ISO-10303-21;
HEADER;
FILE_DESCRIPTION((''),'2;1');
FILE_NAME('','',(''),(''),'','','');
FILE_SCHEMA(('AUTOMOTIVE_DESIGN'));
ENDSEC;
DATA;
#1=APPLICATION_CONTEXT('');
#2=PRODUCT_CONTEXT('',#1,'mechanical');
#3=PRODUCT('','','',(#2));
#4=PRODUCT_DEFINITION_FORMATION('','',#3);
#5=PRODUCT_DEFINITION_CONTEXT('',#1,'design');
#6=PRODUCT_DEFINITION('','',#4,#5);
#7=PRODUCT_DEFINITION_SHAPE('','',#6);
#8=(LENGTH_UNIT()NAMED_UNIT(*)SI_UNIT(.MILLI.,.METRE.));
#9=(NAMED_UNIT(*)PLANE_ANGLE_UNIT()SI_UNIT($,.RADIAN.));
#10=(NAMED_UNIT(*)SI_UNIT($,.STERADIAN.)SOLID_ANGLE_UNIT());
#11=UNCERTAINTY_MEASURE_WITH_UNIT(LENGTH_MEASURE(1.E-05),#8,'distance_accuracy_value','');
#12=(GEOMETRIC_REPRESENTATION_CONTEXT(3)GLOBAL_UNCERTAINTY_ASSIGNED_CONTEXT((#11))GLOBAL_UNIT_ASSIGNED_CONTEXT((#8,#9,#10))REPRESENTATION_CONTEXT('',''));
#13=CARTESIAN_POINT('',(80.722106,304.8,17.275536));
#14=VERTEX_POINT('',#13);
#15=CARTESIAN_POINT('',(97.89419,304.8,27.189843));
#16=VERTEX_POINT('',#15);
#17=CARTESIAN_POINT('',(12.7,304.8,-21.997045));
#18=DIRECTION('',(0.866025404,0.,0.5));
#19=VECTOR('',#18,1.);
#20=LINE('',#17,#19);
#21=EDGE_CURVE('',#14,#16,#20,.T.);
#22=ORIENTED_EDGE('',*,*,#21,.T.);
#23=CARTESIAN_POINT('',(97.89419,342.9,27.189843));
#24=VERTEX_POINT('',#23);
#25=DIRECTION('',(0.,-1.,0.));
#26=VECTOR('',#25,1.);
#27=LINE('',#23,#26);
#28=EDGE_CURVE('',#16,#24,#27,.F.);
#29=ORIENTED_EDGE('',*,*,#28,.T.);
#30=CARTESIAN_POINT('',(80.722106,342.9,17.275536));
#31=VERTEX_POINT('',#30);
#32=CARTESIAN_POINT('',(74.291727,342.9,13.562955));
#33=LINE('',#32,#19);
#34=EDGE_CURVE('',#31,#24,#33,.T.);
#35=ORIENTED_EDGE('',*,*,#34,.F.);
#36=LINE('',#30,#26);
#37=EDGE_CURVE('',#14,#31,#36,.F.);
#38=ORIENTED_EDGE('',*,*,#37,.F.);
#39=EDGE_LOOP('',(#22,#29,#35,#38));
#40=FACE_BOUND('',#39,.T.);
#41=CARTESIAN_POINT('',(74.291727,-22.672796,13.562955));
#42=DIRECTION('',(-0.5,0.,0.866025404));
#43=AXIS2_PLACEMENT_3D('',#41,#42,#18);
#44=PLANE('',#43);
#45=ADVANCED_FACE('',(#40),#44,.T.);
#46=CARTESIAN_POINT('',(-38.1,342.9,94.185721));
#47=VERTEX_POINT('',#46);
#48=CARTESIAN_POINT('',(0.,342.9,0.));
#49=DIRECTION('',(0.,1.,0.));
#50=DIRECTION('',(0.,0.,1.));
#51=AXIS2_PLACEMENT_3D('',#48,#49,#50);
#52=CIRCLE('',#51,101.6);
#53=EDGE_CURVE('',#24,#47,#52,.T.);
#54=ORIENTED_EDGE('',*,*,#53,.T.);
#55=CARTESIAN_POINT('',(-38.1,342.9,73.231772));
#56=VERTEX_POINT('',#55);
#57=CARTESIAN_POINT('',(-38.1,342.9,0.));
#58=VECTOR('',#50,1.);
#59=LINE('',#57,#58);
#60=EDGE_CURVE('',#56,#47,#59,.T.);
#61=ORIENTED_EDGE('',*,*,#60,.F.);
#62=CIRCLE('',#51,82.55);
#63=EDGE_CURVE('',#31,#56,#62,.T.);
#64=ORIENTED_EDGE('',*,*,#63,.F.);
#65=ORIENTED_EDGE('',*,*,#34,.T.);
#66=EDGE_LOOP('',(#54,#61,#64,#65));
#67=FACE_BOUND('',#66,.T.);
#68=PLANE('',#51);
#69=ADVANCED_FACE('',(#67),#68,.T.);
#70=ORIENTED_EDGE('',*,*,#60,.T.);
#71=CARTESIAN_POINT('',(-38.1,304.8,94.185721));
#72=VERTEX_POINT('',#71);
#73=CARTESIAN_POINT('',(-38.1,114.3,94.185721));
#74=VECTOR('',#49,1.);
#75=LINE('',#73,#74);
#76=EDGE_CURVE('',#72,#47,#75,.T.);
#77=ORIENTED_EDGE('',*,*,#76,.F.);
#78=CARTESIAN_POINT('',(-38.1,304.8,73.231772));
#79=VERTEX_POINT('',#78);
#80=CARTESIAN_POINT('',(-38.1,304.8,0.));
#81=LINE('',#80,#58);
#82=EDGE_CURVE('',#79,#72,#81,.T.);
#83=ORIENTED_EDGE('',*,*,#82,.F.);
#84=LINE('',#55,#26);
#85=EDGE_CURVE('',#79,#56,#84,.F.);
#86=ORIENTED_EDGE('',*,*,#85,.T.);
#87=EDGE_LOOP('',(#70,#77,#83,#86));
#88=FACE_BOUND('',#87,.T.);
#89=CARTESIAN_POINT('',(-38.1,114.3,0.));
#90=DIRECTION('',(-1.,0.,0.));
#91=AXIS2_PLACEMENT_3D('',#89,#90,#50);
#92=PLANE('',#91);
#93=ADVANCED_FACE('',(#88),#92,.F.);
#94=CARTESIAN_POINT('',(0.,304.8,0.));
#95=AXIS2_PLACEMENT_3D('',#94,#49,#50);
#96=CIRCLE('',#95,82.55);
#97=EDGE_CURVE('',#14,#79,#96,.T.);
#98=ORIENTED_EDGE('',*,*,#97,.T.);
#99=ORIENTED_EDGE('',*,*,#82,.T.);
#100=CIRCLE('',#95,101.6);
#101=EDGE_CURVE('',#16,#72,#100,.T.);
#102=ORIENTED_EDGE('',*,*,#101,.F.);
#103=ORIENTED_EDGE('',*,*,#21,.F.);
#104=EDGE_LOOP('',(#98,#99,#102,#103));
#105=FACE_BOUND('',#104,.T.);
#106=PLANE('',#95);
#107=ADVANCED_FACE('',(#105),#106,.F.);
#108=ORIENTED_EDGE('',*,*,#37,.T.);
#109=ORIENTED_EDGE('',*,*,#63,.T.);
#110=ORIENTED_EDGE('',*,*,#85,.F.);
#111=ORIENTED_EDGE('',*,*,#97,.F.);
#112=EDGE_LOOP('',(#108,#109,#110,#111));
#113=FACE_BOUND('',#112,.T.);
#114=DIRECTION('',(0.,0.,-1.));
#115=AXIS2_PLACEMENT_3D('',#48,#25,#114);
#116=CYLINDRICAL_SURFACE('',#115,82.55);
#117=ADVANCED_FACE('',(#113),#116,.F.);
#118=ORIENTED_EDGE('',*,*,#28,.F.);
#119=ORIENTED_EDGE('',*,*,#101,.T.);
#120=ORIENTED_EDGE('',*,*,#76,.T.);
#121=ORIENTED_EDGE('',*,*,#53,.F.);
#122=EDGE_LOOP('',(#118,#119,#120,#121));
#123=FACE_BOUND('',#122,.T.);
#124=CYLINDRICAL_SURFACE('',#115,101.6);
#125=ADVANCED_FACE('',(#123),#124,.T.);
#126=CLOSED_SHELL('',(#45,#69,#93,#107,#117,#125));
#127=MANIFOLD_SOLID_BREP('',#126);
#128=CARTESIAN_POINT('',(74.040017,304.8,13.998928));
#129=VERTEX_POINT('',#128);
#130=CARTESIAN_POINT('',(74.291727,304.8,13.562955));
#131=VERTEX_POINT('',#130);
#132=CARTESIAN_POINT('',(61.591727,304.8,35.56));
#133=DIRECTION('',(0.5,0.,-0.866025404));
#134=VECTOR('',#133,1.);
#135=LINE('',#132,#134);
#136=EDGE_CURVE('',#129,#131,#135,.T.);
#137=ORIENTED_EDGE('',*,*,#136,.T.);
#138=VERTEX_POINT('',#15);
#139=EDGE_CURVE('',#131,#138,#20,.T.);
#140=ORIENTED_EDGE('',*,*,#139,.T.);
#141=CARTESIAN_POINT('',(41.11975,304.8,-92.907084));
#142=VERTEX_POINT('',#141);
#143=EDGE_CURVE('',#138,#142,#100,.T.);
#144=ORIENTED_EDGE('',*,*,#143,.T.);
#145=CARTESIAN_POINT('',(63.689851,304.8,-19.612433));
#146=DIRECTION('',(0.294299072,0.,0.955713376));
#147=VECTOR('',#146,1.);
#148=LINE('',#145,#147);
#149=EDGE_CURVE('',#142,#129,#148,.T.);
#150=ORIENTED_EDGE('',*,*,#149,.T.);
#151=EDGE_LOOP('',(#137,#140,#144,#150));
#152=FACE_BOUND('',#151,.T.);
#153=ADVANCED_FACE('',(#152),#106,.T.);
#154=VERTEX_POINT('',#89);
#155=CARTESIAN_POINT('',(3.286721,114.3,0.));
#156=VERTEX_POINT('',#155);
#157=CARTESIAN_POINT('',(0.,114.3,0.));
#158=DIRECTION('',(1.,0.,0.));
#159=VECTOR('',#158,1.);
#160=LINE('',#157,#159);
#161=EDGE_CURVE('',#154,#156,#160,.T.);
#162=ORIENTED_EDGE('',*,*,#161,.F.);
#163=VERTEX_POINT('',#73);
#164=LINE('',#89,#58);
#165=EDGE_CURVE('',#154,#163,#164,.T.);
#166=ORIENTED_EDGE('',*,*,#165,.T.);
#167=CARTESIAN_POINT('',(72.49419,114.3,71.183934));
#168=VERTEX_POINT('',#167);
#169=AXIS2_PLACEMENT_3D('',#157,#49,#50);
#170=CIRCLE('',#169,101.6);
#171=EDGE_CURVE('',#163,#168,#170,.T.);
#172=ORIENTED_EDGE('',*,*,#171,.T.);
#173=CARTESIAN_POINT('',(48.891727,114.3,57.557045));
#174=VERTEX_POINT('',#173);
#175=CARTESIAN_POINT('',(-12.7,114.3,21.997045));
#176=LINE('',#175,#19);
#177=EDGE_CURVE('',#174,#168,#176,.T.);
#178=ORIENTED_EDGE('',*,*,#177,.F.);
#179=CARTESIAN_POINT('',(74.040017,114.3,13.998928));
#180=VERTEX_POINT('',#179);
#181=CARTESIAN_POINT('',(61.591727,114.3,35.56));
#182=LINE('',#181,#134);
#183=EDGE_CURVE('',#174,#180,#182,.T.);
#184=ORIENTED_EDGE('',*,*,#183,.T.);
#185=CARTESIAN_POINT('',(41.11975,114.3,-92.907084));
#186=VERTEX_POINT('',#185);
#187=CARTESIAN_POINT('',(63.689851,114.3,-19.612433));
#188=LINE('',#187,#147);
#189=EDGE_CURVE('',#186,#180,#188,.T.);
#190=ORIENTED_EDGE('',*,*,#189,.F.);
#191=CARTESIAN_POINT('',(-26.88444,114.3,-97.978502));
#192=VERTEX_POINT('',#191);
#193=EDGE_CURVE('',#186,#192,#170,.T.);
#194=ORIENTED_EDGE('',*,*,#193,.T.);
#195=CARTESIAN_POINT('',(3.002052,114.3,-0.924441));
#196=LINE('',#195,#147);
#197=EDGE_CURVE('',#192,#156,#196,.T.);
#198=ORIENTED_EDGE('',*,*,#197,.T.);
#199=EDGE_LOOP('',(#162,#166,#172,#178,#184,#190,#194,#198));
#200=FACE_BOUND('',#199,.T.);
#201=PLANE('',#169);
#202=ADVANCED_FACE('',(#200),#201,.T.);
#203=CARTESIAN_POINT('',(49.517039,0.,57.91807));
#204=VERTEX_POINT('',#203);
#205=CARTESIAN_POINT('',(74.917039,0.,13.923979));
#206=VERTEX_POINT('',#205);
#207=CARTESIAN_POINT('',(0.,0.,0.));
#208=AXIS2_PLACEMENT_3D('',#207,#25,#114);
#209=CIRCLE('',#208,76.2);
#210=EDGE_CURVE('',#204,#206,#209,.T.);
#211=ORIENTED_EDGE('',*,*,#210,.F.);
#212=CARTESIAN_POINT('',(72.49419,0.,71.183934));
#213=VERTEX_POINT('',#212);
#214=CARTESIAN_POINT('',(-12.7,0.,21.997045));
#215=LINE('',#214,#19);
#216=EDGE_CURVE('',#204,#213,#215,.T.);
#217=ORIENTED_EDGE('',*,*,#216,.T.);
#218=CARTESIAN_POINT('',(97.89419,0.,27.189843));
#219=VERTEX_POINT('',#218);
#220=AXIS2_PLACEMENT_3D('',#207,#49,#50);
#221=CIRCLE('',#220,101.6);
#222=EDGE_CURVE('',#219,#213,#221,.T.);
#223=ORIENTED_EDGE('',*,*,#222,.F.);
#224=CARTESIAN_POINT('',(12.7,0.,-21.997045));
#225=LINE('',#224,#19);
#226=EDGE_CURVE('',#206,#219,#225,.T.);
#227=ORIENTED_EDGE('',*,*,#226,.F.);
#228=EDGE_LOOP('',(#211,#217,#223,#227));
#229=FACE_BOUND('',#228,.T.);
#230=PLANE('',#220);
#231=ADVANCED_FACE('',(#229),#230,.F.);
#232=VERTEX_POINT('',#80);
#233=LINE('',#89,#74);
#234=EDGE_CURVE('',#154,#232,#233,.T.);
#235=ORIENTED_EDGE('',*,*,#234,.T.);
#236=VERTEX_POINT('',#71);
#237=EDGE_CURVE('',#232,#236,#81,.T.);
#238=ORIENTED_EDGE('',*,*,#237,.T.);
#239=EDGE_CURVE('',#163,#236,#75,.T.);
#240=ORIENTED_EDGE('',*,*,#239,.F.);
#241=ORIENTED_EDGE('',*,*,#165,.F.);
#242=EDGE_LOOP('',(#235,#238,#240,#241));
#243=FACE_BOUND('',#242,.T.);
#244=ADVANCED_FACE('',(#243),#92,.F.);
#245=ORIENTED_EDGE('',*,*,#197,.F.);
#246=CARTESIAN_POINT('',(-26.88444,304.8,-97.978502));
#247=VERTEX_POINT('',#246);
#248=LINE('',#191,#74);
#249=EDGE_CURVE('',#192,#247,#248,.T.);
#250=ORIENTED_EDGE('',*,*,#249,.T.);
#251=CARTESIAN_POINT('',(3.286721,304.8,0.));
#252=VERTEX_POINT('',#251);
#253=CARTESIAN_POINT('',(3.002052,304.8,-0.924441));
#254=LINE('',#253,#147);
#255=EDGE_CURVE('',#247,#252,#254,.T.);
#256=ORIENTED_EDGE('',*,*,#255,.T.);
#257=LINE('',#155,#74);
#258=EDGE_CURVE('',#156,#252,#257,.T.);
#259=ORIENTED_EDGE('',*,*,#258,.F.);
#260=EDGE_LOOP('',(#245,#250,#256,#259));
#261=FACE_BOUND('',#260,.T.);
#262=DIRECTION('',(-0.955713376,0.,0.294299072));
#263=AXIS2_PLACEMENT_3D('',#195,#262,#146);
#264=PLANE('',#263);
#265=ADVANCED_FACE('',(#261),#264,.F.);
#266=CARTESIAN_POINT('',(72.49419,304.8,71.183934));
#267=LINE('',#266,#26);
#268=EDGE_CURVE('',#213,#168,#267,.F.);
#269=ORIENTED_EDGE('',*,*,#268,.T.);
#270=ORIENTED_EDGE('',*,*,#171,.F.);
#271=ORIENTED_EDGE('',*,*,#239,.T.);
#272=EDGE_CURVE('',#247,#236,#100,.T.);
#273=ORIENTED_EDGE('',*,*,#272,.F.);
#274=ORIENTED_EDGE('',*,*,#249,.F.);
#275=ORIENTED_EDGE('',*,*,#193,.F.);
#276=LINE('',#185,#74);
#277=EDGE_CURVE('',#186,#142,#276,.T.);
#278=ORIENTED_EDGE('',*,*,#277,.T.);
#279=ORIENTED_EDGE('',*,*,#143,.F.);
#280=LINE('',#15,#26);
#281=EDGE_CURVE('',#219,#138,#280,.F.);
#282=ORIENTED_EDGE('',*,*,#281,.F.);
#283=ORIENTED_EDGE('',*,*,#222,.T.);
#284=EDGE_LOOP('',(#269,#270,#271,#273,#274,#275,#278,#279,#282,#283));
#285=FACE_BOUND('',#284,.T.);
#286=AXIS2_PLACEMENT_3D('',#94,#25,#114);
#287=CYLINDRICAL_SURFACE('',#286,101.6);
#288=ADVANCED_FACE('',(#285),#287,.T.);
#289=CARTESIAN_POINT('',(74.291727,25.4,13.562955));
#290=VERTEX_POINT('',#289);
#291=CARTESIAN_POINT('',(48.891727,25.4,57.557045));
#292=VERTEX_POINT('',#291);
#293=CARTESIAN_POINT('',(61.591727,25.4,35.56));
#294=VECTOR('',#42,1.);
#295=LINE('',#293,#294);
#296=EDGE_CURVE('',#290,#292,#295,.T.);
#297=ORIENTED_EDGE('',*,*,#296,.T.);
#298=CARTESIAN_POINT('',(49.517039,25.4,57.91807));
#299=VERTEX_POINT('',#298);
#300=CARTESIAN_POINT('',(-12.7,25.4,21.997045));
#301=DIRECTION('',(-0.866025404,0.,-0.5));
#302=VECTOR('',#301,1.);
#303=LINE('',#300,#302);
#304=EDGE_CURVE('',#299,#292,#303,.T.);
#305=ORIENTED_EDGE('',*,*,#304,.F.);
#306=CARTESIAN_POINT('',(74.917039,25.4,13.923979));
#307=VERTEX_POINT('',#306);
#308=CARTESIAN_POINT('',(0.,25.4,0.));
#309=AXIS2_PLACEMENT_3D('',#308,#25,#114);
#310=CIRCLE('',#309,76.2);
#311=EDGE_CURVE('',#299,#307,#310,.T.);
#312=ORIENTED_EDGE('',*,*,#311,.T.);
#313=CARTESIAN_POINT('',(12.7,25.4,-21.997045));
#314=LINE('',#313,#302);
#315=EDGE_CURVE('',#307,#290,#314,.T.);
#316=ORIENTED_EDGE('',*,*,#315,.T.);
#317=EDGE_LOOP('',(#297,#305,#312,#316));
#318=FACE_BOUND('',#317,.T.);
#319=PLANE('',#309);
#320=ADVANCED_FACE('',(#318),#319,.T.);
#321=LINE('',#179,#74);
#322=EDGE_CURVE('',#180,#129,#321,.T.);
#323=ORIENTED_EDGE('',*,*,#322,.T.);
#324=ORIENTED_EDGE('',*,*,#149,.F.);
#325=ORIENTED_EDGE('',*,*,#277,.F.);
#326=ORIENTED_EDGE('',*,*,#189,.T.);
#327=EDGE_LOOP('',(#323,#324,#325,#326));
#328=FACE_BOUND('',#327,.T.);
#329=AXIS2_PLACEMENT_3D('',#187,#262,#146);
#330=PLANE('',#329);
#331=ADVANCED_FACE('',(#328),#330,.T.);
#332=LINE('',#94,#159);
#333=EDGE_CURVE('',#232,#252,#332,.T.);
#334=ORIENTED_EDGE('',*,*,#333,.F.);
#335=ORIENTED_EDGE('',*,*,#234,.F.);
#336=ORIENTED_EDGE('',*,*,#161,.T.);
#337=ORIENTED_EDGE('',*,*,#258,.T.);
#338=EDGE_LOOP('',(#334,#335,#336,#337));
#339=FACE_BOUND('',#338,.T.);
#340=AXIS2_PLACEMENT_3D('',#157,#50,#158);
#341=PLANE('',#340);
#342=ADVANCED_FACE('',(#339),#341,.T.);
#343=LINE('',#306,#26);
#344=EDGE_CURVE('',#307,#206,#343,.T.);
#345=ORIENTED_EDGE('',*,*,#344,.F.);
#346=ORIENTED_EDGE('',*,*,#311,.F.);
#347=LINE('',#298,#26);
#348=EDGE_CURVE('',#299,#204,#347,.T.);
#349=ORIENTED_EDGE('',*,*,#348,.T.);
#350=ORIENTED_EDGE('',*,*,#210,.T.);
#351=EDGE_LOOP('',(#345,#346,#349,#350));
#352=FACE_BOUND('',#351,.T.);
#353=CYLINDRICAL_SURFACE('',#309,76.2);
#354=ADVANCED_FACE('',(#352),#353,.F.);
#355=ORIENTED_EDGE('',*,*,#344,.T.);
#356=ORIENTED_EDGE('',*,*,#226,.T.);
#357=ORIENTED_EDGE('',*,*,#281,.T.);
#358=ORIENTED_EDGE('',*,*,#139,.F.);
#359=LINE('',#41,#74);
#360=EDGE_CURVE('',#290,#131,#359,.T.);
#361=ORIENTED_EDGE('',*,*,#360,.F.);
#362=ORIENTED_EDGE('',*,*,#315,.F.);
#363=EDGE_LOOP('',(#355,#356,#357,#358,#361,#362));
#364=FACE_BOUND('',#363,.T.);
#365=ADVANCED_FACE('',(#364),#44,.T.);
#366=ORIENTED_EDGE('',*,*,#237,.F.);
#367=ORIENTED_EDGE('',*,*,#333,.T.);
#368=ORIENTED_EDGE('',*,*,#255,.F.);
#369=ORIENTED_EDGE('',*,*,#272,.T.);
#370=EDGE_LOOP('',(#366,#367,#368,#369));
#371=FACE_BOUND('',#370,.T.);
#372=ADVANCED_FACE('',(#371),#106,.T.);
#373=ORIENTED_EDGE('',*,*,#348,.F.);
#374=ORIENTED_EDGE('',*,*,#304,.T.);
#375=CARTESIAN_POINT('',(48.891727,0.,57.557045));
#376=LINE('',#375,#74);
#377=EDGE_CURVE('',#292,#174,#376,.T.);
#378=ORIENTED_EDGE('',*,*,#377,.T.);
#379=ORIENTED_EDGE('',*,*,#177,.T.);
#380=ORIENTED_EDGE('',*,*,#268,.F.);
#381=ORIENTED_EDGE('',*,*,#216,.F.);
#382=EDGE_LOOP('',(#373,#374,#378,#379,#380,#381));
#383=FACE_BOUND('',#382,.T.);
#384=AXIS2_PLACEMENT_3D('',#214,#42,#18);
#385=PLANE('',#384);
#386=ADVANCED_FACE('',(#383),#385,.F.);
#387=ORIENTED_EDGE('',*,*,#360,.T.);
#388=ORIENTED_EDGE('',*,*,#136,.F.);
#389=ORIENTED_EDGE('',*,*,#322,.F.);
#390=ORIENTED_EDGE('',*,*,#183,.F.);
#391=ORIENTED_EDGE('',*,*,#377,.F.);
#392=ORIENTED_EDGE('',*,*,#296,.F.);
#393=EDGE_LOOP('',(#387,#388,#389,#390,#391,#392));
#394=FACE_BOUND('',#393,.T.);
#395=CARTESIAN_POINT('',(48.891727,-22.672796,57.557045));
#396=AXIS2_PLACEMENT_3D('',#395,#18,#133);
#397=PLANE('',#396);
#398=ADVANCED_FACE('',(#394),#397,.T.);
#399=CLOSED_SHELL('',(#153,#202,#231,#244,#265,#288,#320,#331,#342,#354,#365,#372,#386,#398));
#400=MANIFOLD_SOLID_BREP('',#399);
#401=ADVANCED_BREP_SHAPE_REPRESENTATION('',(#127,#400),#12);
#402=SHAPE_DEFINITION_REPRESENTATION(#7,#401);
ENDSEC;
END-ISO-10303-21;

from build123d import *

# Parameters (mm, degrees)
SKETCH2_R           = 101.6
BOSS_EXTRUDE1_DEPTH = 304.8
SKETCH3_R           = 101.6
SKETCH3_R_2         = 82.55
BOSS_EXTRUDE2_DEPTH = 38.1
SKETCH4_W           = 76.2
SKETCH4_H           = 101.6
CUT_EXTRUDE1_DEPTH  = 228.6
CUT_EXTRUDE2_START  = -228.6
CUT_EXTRUDE2_DEPTH  = 190.5
SKETCH5_R           = 76.2
CUT_EXTRUDE3_DEPTH  = 25.4
CUT_EXTRUDE4_START  = -228.6
CUT_EXTRUDE4_DEPTH  = 228.6
CUT_EXTRUDE5_DEPTH  = 372.786941675


with BuildPart() as part:
    # Sketch2 → Boss-Extrude1 (new body)
    with BuildSketch(Plane(origin=(0, 0, 0), x_dir=(1, 0, 0), z_dir=(0, 1, 0))):
        with Locations(Location((0, 0, 0), (0, 0, 90))):
            Circle(SKETCH2_R)
    extrude(amount=BOSS_EXTRUDE1_DEPTH)


with BuildPart() as body_2:
    # Sketch3 → Boss-Extrude2 (new body)
    with BuildSketch(Plane(origin=(0, 304.8, 0), x_dir=(1, 0, 0), z_dir=(0, 1, 0))):
        with Locations(Location((0, 0, 0), (0, 0, 90))):
            Circle(SKETCH3_R)
        with Locations(Location((0, 0, 0), (0, 0, 90))):
            Circle(SKETCH3_R_2, mode=Mode.SUBTRACT)
    extrude(amount=BOSS_EXTRUDE2_DEPTH)


with BuildPart() as cut_extrude1_tool:
    # Sketch4 → Cut-Extrude1 (new body)
    with BuildSketch(Plane(origin=(0, 342.9, 0), x_dir=(1, 0, 0), z_dir=(0, 1, 0))):
        with Locations((0, -50.8)):
            Rectangle(SKETCH4_W, SKETCH4_H)
    extrude(amount=-CUT_EXTRUDE1_DEPTH)


with BuildPart() as part_1:
    add(part.part)

    # Cut-Extrude1: cut by cut_extrude1_tool
    add(cut_extrude1_tool.part, mode=Mode.SUBTRACT)

    # Sketch4<4> → Cut-Extrude2 (cut)
    with BuildSketch(Plane(origin=(0, 342.9, 0), x_dir=(1, 0, 0), z_dir=(0, 1, 0)).offset(CUT_EXTRUDE2_START)):
        with BuildLine():
            ThreePointArc((78.027556588, -26.94815231), (62.505565542, -53.92176533), (38.1, -73.231772476))
            Line((38.1, -73.231772476), (38.1, -94.185720786))
            ThreePointArc((38.1, -94.185720786), (65.394822961, -77.756524678), (86.259952515, -53.682218584))
            Line((86.259952515, -53.682218584), (78.027556588, -26.94815231))
        make_face()
        with BuildLine():
            Line((-21.27474203, 79.761443389), (3.286721048, 0))
            Line((3.286721048, 0), (38.1, 0))
            Line((38.1, 0), (38.1, -73.231772476))
            ThreePointArc((38.1, -73.231772476), (62.505565542, -53.92176533), (78.027556588, -26.94815231))
            Line((78.027556588, -26.94815231), (49.352145598, 66.173017347))
            ThreePointArc((49.352145598, 66.173017347), (15.596361061, 81.063284054), (-21.27474203, 79.761443389))
        make_face()
        with BuildLine():
            Line((-26.884440108, 97.978502132), (-21.27474203, 79.761443389))
            ThreePointArc((-21.27474203, 79.761443389), (15.596361061, 81.063284054), (49.352145598, 66.173017347))
            Line((49.352145598, 66.173017347), (41.119749671, 92.907083621))
            ThreePointArc((41.119749671, 92.907083621), (7.555847472, 101.318651634), (-26.884440108, 97.978502132))
        make_face()
    extrude(amount=CUT_EXTRUDE2_DEPTH, mode=Mode.SUBTRACT)

    # Sketch5 → Cut-Extrude3 (cut)
    with BuildSketch(Plane.XZ):
        with Locations(Location((0, 0, 0), (0, 0, 270))):
            Circle(SKETCH5_R)
    extrude(amount=-CUT_EXTRUDE3_DEPTH, mode=Mode.SUBTRACT)


with BuildPart() as body_2_1:
    add(body_2.part)

    # Cut-Extrude1: cut by cut_extrude1_tool
    add(cut_extrude1_tool.part, mode=Mode.SUBTRACT)


with BuildPart() as cut_extrude4_tool:
    # Sketch6 → Cut-Extrude4 (new body)
    with BuildSketch(Plane(origin=(0, 342.9, 0), x_dir=(1, 0, 0), z_dir=(0, 1, 0)).offset(CUT_EXTRUDE4_START)):
        Polygon((48.891726717, -57.557045256), (74.291726717, -13.562954744), (107.287294601, -32.612954744), (60.297294601, -114.002022192), (14.155449479, -87.362015489), (35.745449479, -49.967038554), align=None)
    extrude(amount=CUT_EXTRUDE4_DEPTH)


with BuildPart() as part_2:
    add(part_1.part)

    # Cut-Extrude4: cut by cut_extrude4_tool
    add(cut_extrude4_tool.part, mode=Mode.SUBTRACT)

    # Sketch6<4> → Cut-Extrude5 (cut, through all)
    with BuildSketch(Plane(origin=(0, 342.9, 0), x_dir=(1, 0, 0), z_dir=(0, 1, 0))):
        with BuildLine():
            ThreePointArc((97.894189943, -27.189843241), (87.988181024, -50.8), (72.494189943, -71.183933753))
            Line((72.494189943, -71.183933753), (81.887294601, -76.607045256))
            Line((81.887294601, -76.607045256), (107.287294601, -32.612954744))
            Line((107.287294601, -32.612954744), (97.894189943, -27.189843241))
        make_face()
        with BuildLine():
            ThreePointArc((80.722105782, -17.275535828), (71.490397082, -41.275), (55.322105782, -61.26962634))
            Line((55.322105782, -61.26962634), (72.494189943, -71.183933753))
            ThreePointArc((72.494189943, -71.183933753), (87.988181024, -50.8), (97.894189943, -27.189843241))
            Line((97.894189943, -27.189843241), (80.722105782, -17.275535828))
        make_face()
        with BuildLine():
            Line((74.291726717, -13.562954744), (48.891726717, -57.557045256))
            Line((48.891726717, -57.557045256), (55.322105782, -61.26962634))
            ThreePointArc((55.322105782, -61.26962634), (71.490397082, -41.275), (80.722105782, -17.275535828))
            Line((80.722105782, -17.275535828), (74.291726717, -13.562954744))
        make_face()
    extrude(amount=-CUT_EXTRUDE5_DEPTH, mode=Mode.SUBTRACT)


with BuildPart() as body_2_2:
    add(body_2_1.part)

    # Cut-Extrude4: cut by cut_extrude4_tool
    add(cut_extrude4_tool.part, mode=Mode.SUBTRACT)


solid = Compound([part_2.part, body_2_2.part])
